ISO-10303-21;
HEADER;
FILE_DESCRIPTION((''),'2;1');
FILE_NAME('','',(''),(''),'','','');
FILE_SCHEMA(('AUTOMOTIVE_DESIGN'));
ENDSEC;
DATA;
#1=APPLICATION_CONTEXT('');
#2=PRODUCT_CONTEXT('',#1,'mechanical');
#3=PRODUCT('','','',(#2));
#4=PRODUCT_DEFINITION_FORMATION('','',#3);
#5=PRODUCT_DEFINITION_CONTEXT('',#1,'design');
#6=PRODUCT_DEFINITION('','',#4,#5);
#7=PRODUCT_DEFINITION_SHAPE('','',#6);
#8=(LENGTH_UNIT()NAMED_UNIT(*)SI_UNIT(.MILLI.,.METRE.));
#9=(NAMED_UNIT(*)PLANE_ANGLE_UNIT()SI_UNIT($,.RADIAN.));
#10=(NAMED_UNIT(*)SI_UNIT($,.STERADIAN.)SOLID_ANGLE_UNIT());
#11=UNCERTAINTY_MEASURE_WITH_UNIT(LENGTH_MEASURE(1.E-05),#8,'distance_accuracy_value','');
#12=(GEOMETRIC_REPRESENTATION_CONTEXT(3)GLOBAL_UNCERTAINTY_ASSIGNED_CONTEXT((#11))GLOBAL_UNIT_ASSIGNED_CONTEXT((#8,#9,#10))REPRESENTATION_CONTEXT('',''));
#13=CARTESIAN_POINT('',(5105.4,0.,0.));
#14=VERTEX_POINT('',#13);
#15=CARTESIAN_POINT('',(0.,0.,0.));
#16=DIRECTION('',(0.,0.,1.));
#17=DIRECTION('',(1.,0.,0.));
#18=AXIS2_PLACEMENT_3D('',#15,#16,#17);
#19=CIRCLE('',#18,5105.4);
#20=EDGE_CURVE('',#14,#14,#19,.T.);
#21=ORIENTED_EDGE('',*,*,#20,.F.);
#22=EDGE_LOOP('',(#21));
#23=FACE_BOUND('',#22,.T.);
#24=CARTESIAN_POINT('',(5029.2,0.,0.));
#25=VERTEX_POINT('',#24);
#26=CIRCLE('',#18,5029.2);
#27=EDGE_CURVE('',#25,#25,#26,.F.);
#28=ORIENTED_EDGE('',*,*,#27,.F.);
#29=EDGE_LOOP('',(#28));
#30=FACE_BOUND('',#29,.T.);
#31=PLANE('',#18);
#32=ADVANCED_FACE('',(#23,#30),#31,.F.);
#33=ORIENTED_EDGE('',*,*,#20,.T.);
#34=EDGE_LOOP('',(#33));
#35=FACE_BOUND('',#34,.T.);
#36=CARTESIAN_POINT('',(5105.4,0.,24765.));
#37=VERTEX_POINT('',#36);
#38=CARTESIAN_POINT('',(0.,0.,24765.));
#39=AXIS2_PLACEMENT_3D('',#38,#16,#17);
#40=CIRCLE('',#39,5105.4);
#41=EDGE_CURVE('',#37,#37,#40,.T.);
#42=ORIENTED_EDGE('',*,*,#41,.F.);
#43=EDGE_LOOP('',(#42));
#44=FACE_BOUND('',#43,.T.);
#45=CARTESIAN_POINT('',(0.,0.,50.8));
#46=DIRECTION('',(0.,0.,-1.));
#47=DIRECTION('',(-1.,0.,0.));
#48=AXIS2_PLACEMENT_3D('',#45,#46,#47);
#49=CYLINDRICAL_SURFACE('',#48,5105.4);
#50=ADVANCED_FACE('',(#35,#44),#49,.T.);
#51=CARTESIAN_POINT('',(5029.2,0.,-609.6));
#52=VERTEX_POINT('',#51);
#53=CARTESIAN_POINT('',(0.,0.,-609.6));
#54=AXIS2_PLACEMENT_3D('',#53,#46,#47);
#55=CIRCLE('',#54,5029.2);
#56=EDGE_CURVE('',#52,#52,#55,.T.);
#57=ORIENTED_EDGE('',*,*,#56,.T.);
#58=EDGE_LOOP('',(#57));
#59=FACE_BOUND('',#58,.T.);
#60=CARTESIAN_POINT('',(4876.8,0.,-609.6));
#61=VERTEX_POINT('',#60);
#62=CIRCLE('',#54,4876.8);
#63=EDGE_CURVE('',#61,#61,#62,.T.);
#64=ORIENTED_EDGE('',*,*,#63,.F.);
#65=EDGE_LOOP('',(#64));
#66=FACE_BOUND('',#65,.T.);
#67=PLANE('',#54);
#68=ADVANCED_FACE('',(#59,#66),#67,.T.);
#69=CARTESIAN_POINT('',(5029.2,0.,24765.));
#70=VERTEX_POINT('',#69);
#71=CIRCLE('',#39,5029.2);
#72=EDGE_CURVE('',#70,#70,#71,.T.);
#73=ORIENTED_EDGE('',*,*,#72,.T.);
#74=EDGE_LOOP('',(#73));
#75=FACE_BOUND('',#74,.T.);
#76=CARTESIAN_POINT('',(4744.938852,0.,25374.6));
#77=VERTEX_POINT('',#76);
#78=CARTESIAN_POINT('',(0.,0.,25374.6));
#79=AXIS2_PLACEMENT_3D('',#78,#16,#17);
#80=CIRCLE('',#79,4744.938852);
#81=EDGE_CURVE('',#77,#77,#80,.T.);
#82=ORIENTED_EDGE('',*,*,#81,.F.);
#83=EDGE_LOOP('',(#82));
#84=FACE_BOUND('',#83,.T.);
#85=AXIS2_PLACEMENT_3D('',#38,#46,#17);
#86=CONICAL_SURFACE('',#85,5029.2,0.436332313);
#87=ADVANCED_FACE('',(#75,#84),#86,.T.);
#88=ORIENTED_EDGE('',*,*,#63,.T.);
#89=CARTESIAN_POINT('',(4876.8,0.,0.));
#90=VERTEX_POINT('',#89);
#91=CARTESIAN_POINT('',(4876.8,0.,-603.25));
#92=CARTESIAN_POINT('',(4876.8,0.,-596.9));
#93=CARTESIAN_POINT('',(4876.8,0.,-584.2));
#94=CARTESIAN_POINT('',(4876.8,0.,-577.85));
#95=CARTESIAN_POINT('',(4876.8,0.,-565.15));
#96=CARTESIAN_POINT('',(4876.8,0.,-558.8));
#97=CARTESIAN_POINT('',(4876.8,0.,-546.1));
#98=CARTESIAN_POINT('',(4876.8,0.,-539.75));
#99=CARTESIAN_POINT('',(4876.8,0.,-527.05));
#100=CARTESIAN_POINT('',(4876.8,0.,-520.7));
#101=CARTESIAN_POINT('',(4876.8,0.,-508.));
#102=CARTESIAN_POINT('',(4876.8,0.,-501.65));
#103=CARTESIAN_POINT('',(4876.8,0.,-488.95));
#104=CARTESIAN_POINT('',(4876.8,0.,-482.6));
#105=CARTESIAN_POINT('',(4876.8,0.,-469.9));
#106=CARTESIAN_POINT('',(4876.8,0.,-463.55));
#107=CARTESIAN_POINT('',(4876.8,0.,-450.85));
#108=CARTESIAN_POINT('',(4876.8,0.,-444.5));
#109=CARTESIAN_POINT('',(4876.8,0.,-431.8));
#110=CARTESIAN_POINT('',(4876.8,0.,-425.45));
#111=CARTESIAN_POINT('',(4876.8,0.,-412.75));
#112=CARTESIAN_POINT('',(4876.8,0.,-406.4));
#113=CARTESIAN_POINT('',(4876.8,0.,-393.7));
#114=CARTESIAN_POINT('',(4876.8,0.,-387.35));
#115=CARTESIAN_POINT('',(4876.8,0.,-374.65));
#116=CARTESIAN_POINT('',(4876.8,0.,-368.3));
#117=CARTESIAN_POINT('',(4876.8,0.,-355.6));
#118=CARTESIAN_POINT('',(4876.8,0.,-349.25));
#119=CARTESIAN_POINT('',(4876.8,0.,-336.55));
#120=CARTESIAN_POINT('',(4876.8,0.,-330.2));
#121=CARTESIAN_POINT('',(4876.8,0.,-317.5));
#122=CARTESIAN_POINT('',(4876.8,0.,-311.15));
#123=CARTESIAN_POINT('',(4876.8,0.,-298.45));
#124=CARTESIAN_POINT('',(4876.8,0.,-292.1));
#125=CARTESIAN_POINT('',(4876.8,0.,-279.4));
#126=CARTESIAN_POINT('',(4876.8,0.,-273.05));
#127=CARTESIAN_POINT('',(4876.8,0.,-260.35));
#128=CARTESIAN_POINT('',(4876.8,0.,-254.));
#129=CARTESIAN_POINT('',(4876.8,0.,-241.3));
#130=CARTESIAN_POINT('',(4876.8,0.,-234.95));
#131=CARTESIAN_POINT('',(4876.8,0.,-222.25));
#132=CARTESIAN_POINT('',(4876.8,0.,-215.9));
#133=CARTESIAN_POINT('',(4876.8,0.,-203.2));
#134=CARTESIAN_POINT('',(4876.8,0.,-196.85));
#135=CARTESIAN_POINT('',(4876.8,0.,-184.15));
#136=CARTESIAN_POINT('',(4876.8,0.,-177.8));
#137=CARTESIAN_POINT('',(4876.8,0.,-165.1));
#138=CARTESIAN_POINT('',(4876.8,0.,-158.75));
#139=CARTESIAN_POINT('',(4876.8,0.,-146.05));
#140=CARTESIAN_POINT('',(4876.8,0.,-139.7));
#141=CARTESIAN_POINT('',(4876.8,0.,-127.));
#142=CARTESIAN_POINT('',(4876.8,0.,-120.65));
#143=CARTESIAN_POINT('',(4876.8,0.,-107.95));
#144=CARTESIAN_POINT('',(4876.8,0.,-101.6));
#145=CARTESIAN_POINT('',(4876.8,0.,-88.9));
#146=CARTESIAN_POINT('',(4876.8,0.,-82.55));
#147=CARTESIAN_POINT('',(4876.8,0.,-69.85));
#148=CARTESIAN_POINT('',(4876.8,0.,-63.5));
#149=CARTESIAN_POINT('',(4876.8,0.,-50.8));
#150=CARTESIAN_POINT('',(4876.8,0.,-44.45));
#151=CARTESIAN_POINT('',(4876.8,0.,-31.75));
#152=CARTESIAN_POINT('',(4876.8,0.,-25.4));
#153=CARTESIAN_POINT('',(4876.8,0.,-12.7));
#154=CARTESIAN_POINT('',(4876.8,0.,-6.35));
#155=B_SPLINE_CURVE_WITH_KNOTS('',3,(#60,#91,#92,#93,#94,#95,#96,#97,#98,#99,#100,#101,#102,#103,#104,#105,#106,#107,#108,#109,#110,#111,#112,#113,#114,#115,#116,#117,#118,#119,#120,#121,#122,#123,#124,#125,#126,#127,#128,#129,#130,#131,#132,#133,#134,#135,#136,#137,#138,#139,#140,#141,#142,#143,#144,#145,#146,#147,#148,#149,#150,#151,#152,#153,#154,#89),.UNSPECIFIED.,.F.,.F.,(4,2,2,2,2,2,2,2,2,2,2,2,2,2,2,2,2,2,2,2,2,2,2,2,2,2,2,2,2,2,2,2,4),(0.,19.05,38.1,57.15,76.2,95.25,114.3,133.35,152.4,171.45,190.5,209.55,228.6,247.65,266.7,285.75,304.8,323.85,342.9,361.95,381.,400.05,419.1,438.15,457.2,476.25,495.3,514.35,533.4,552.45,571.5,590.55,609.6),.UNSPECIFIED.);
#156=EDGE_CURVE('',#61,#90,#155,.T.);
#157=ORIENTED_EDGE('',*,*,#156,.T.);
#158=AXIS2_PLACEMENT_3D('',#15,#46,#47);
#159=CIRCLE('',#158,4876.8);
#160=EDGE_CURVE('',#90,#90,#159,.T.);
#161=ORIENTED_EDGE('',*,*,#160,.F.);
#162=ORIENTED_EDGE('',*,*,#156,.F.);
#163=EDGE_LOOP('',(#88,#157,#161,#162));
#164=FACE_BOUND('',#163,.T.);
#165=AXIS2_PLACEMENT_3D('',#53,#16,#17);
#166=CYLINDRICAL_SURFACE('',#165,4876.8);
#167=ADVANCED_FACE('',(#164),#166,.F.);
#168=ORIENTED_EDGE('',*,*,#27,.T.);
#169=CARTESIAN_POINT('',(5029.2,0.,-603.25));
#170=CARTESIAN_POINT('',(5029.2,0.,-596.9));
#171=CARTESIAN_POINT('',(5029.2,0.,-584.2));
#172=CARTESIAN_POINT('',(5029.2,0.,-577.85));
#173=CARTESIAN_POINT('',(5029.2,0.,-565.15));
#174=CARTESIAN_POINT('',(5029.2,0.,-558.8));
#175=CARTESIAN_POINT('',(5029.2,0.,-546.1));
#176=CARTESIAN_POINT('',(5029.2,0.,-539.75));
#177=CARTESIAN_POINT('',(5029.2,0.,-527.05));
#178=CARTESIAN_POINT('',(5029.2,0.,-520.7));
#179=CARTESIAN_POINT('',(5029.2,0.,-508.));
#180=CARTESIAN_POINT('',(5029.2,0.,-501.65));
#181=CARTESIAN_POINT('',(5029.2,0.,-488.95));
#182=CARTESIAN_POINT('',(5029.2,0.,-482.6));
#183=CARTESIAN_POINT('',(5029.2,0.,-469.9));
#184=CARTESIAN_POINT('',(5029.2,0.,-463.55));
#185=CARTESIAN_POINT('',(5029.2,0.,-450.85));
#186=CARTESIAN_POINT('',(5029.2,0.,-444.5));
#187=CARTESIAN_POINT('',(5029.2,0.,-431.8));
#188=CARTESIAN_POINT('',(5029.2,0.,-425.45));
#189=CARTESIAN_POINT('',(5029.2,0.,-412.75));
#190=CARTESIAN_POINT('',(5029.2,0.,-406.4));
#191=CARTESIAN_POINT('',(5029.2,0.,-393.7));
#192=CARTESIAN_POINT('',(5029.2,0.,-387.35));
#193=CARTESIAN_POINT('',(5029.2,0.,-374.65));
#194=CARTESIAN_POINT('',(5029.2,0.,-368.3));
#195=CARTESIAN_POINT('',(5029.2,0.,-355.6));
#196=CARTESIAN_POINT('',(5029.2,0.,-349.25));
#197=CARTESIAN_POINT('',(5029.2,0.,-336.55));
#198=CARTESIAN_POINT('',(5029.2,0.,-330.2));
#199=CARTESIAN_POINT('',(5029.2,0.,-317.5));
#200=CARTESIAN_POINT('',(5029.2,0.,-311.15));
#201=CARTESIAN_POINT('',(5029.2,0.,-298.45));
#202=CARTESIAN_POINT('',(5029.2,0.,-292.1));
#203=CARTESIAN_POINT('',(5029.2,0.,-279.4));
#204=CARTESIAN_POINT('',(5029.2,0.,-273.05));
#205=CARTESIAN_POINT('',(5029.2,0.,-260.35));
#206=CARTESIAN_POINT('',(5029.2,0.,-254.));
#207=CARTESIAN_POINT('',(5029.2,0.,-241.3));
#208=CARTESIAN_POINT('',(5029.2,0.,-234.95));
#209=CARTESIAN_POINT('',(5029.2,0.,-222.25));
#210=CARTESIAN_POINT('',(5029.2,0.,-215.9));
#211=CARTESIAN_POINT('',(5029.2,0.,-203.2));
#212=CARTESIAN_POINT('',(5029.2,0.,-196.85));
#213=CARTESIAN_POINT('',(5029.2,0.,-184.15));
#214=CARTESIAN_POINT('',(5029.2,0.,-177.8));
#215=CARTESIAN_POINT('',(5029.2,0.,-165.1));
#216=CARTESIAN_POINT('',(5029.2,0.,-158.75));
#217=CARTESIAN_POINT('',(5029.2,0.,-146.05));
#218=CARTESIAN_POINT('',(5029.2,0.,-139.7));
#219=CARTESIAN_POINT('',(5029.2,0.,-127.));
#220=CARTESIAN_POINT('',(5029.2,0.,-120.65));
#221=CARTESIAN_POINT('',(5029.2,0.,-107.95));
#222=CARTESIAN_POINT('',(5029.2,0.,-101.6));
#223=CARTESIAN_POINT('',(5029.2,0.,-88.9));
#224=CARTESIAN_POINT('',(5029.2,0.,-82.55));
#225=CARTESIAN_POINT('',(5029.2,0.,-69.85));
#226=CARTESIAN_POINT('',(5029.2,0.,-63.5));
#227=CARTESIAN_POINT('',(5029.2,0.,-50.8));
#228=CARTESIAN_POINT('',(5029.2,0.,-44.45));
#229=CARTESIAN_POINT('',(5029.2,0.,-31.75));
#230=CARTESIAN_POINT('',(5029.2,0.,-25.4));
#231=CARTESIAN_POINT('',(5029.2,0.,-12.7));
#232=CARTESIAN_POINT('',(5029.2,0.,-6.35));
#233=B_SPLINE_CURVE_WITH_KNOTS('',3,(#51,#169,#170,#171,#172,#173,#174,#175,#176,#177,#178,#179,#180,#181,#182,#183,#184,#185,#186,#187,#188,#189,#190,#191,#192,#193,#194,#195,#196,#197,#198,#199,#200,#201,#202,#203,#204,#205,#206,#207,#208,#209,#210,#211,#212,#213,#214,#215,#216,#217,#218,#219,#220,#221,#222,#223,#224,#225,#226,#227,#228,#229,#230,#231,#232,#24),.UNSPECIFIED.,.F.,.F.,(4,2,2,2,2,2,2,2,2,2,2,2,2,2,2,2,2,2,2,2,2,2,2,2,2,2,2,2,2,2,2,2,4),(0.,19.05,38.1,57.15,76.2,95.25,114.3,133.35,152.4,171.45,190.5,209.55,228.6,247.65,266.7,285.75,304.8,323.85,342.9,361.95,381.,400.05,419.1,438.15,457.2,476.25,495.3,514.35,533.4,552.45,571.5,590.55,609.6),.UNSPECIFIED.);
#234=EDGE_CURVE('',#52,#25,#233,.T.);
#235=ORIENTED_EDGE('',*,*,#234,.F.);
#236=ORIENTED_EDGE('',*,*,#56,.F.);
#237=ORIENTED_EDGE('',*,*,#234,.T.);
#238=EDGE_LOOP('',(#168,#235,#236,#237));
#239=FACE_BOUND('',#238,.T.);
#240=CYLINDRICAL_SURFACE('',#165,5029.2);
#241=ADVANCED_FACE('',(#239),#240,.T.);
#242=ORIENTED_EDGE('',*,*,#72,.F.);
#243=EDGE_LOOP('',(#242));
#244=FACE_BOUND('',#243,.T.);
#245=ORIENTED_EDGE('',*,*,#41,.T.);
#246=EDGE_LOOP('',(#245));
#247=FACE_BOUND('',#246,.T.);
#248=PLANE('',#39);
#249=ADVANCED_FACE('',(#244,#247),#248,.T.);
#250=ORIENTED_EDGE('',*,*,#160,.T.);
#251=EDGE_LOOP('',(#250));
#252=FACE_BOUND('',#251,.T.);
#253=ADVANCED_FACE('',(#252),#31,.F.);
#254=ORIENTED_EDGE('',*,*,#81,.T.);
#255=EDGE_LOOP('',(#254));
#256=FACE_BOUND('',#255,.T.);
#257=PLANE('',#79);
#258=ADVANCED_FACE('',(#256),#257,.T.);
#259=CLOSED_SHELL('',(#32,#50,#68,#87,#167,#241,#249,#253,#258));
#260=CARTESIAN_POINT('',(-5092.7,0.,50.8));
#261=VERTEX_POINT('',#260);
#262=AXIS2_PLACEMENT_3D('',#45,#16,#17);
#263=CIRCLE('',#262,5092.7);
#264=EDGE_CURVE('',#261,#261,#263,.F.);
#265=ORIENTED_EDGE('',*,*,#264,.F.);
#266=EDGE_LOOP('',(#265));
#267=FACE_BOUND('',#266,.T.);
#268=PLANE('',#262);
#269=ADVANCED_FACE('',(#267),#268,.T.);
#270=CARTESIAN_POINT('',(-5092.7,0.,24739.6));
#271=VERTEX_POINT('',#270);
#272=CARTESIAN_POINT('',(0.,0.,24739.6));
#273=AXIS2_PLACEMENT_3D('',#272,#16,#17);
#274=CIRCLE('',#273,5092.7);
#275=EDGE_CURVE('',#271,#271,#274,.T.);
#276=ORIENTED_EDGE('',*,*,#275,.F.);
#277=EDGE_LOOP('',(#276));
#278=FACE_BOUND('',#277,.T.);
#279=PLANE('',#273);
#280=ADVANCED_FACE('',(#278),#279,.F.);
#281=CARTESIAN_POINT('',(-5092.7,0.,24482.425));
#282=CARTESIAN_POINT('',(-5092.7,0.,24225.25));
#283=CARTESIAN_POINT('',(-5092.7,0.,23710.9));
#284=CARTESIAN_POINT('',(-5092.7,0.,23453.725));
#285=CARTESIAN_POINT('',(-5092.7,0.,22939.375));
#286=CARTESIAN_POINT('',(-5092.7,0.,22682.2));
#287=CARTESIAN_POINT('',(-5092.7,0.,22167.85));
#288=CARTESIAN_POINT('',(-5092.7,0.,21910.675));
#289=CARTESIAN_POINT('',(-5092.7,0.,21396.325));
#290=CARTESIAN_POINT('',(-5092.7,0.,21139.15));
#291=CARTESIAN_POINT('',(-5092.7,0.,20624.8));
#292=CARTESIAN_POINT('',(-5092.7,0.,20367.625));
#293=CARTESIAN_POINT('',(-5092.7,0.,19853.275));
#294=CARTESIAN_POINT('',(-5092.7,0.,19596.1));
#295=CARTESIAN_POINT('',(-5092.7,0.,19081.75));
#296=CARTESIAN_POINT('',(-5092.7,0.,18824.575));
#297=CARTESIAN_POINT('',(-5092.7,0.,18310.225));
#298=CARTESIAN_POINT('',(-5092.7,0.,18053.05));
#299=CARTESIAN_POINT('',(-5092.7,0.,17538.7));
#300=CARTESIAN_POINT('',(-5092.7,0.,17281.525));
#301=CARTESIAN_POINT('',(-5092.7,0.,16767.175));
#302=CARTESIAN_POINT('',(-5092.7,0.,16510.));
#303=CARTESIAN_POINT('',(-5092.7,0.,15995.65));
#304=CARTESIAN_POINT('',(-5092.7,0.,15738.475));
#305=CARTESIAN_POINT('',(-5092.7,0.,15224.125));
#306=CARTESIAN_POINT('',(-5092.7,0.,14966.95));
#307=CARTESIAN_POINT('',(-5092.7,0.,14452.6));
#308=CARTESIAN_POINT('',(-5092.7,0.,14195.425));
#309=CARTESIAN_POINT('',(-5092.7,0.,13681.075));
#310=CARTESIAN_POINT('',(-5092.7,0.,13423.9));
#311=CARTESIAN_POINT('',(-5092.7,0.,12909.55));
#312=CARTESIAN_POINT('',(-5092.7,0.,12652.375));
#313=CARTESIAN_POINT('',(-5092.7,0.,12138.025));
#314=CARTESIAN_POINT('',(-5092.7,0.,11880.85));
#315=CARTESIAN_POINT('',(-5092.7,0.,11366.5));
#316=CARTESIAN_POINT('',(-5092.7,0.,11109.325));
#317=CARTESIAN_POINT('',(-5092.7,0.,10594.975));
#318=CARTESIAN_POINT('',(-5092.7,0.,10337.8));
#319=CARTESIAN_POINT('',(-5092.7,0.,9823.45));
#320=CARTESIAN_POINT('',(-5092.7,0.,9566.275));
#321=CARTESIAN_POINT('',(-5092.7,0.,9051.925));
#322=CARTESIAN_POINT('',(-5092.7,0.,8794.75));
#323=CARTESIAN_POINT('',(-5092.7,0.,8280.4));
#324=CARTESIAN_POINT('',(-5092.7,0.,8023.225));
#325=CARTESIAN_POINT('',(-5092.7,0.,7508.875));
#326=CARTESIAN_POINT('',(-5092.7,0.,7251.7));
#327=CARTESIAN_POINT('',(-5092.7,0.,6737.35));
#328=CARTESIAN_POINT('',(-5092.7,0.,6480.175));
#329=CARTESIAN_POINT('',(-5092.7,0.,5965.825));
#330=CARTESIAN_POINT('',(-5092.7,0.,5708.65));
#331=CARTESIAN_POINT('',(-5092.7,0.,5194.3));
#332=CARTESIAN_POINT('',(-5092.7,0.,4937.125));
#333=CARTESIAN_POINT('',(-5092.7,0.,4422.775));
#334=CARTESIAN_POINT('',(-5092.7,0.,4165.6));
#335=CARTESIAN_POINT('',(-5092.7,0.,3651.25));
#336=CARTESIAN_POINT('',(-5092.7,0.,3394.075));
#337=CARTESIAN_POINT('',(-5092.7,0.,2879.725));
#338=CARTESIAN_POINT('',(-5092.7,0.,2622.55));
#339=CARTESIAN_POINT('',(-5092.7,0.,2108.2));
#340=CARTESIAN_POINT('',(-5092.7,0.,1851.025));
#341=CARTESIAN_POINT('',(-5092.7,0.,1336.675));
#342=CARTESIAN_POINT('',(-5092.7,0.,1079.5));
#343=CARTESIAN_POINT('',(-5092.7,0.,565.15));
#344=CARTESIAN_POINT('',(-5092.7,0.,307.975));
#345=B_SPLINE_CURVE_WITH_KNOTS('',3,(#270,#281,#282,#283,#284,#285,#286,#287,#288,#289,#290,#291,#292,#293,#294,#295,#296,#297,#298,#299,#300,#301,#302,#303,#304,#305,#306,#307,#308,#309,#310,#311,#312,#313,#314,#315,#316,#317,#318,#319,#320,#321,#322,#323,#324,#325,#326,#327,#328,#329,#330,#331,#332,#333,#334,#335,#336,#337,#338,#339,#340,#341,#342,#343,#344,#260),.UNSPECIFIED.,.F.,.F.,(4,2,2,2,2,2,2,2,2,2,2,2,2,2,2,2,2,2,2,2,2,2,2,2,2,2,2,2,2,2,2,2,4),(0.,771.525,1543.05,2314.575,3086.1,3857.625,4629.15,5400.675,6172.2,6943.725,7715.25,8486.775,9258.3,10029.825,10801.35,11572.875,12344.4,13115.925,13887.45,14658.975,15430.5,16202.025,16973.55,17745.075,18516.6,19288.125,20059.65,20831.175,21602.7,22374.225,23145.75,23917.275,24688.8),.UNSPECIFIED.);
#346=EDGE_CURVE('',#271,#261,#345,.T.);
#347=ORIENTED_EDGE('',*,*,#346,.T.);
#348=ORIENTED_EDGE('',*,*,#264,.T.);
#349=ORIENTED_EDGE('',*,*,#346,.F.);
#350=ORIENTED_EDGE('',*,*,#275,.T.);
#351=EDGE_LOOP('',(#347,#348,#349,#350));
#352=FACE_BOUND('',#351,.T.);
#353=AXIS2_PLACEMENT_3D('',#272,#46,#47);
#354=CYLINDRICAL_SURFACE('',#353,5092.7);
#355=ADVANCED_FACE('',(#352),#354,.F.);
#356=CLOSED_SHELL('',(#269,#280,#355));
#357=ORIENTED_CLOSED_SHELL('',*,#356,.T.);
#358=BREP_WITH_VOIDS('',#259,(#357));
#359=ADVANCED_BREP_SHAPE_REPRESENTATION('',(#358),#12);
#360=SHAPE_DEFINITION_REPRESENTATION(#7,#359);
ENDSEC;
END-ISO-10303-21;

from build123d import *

# Parameters (mm, degrees)
SKETCH1_R           = 5105.4
BOSS_EXTRUDE1_DEPTH = 50.8
SKETCH2_R           = 5105.4
SKETCH2_R_2         = 5092.7
BOSS_EXTRUDE2_DEPTH = 24688.8
SKETCH3_R           = 5105.4
BOSS_EXTRUDE3_DEPTH = 25.4
SKETCH4_R           = 5029.2
BOSS_EXTRUDE4_DEPTH = 609.6
BOSS_EXTRUDE4_TAPER = 25
SKETCH5_R           = 5029.2
SKETCH5_R_2         = 4876.8
BOSS_EXTRUDE5_DEPTH = 609.6


with BuildPart() as part:
    # Sketch1 → Boss-Extrude1 (new body)
    with BuildSketch(Plane.XY):
        Circle(SKETCH1_R)
    extrude(amount=BOSS_EXTRUDE1_DEPTH)

    # Sketch2 → Boss-Extrude2 (add)
    with BuildSketch(Plane.XY.offset(50.8)):
        Circle(SKETCH2_R)
        with Locations(Location((0, 0, 0), (0, 0, 180))):
            Circle(SKETCH2_R_2, mode=Mode.SUBTRACT)
    extrude(amount=BOSS_EXTRUDE2_DEPTH)

    # Sketch3 → Boss-Extrude3 (add)
    with BuildSketch(Plane.XY.offset(24739.6)):
        Circle(SKETCH3_R)
    extrude(amount=BOSS_EXTRUDE3_DEPTH)

    # Sketch4 → Boss-Extrude4 (add)
    with BuildSketch(Plane.XY.offset(24765)):
        Circle(SKETCH4_R)
    extrude(amount=BOSS_EXTRUDE4_DEPTH, taper=BOSS_EXTRUDE4_TAPER)

    # Sketch5 → Boss-Extrude5 (add)
    with BuildSketch(Plane(origin=(0, 0, 0), x_dir=(-1, 0, 0), z_dir=(0, 0, -1))):
        with Locations(Location((0, 0, 0), (0, 0, 180))):
            Circle(SKETCH5_R)
        with Locations(Location((0, 0, 0), (0, 0, 180))):
            Circle(SKETCH5_R_2, mode=Mode.SUBTRACT)
    extrude(amount=BOSS_EXTRUDE5_DEPTH)


solid = part.part
